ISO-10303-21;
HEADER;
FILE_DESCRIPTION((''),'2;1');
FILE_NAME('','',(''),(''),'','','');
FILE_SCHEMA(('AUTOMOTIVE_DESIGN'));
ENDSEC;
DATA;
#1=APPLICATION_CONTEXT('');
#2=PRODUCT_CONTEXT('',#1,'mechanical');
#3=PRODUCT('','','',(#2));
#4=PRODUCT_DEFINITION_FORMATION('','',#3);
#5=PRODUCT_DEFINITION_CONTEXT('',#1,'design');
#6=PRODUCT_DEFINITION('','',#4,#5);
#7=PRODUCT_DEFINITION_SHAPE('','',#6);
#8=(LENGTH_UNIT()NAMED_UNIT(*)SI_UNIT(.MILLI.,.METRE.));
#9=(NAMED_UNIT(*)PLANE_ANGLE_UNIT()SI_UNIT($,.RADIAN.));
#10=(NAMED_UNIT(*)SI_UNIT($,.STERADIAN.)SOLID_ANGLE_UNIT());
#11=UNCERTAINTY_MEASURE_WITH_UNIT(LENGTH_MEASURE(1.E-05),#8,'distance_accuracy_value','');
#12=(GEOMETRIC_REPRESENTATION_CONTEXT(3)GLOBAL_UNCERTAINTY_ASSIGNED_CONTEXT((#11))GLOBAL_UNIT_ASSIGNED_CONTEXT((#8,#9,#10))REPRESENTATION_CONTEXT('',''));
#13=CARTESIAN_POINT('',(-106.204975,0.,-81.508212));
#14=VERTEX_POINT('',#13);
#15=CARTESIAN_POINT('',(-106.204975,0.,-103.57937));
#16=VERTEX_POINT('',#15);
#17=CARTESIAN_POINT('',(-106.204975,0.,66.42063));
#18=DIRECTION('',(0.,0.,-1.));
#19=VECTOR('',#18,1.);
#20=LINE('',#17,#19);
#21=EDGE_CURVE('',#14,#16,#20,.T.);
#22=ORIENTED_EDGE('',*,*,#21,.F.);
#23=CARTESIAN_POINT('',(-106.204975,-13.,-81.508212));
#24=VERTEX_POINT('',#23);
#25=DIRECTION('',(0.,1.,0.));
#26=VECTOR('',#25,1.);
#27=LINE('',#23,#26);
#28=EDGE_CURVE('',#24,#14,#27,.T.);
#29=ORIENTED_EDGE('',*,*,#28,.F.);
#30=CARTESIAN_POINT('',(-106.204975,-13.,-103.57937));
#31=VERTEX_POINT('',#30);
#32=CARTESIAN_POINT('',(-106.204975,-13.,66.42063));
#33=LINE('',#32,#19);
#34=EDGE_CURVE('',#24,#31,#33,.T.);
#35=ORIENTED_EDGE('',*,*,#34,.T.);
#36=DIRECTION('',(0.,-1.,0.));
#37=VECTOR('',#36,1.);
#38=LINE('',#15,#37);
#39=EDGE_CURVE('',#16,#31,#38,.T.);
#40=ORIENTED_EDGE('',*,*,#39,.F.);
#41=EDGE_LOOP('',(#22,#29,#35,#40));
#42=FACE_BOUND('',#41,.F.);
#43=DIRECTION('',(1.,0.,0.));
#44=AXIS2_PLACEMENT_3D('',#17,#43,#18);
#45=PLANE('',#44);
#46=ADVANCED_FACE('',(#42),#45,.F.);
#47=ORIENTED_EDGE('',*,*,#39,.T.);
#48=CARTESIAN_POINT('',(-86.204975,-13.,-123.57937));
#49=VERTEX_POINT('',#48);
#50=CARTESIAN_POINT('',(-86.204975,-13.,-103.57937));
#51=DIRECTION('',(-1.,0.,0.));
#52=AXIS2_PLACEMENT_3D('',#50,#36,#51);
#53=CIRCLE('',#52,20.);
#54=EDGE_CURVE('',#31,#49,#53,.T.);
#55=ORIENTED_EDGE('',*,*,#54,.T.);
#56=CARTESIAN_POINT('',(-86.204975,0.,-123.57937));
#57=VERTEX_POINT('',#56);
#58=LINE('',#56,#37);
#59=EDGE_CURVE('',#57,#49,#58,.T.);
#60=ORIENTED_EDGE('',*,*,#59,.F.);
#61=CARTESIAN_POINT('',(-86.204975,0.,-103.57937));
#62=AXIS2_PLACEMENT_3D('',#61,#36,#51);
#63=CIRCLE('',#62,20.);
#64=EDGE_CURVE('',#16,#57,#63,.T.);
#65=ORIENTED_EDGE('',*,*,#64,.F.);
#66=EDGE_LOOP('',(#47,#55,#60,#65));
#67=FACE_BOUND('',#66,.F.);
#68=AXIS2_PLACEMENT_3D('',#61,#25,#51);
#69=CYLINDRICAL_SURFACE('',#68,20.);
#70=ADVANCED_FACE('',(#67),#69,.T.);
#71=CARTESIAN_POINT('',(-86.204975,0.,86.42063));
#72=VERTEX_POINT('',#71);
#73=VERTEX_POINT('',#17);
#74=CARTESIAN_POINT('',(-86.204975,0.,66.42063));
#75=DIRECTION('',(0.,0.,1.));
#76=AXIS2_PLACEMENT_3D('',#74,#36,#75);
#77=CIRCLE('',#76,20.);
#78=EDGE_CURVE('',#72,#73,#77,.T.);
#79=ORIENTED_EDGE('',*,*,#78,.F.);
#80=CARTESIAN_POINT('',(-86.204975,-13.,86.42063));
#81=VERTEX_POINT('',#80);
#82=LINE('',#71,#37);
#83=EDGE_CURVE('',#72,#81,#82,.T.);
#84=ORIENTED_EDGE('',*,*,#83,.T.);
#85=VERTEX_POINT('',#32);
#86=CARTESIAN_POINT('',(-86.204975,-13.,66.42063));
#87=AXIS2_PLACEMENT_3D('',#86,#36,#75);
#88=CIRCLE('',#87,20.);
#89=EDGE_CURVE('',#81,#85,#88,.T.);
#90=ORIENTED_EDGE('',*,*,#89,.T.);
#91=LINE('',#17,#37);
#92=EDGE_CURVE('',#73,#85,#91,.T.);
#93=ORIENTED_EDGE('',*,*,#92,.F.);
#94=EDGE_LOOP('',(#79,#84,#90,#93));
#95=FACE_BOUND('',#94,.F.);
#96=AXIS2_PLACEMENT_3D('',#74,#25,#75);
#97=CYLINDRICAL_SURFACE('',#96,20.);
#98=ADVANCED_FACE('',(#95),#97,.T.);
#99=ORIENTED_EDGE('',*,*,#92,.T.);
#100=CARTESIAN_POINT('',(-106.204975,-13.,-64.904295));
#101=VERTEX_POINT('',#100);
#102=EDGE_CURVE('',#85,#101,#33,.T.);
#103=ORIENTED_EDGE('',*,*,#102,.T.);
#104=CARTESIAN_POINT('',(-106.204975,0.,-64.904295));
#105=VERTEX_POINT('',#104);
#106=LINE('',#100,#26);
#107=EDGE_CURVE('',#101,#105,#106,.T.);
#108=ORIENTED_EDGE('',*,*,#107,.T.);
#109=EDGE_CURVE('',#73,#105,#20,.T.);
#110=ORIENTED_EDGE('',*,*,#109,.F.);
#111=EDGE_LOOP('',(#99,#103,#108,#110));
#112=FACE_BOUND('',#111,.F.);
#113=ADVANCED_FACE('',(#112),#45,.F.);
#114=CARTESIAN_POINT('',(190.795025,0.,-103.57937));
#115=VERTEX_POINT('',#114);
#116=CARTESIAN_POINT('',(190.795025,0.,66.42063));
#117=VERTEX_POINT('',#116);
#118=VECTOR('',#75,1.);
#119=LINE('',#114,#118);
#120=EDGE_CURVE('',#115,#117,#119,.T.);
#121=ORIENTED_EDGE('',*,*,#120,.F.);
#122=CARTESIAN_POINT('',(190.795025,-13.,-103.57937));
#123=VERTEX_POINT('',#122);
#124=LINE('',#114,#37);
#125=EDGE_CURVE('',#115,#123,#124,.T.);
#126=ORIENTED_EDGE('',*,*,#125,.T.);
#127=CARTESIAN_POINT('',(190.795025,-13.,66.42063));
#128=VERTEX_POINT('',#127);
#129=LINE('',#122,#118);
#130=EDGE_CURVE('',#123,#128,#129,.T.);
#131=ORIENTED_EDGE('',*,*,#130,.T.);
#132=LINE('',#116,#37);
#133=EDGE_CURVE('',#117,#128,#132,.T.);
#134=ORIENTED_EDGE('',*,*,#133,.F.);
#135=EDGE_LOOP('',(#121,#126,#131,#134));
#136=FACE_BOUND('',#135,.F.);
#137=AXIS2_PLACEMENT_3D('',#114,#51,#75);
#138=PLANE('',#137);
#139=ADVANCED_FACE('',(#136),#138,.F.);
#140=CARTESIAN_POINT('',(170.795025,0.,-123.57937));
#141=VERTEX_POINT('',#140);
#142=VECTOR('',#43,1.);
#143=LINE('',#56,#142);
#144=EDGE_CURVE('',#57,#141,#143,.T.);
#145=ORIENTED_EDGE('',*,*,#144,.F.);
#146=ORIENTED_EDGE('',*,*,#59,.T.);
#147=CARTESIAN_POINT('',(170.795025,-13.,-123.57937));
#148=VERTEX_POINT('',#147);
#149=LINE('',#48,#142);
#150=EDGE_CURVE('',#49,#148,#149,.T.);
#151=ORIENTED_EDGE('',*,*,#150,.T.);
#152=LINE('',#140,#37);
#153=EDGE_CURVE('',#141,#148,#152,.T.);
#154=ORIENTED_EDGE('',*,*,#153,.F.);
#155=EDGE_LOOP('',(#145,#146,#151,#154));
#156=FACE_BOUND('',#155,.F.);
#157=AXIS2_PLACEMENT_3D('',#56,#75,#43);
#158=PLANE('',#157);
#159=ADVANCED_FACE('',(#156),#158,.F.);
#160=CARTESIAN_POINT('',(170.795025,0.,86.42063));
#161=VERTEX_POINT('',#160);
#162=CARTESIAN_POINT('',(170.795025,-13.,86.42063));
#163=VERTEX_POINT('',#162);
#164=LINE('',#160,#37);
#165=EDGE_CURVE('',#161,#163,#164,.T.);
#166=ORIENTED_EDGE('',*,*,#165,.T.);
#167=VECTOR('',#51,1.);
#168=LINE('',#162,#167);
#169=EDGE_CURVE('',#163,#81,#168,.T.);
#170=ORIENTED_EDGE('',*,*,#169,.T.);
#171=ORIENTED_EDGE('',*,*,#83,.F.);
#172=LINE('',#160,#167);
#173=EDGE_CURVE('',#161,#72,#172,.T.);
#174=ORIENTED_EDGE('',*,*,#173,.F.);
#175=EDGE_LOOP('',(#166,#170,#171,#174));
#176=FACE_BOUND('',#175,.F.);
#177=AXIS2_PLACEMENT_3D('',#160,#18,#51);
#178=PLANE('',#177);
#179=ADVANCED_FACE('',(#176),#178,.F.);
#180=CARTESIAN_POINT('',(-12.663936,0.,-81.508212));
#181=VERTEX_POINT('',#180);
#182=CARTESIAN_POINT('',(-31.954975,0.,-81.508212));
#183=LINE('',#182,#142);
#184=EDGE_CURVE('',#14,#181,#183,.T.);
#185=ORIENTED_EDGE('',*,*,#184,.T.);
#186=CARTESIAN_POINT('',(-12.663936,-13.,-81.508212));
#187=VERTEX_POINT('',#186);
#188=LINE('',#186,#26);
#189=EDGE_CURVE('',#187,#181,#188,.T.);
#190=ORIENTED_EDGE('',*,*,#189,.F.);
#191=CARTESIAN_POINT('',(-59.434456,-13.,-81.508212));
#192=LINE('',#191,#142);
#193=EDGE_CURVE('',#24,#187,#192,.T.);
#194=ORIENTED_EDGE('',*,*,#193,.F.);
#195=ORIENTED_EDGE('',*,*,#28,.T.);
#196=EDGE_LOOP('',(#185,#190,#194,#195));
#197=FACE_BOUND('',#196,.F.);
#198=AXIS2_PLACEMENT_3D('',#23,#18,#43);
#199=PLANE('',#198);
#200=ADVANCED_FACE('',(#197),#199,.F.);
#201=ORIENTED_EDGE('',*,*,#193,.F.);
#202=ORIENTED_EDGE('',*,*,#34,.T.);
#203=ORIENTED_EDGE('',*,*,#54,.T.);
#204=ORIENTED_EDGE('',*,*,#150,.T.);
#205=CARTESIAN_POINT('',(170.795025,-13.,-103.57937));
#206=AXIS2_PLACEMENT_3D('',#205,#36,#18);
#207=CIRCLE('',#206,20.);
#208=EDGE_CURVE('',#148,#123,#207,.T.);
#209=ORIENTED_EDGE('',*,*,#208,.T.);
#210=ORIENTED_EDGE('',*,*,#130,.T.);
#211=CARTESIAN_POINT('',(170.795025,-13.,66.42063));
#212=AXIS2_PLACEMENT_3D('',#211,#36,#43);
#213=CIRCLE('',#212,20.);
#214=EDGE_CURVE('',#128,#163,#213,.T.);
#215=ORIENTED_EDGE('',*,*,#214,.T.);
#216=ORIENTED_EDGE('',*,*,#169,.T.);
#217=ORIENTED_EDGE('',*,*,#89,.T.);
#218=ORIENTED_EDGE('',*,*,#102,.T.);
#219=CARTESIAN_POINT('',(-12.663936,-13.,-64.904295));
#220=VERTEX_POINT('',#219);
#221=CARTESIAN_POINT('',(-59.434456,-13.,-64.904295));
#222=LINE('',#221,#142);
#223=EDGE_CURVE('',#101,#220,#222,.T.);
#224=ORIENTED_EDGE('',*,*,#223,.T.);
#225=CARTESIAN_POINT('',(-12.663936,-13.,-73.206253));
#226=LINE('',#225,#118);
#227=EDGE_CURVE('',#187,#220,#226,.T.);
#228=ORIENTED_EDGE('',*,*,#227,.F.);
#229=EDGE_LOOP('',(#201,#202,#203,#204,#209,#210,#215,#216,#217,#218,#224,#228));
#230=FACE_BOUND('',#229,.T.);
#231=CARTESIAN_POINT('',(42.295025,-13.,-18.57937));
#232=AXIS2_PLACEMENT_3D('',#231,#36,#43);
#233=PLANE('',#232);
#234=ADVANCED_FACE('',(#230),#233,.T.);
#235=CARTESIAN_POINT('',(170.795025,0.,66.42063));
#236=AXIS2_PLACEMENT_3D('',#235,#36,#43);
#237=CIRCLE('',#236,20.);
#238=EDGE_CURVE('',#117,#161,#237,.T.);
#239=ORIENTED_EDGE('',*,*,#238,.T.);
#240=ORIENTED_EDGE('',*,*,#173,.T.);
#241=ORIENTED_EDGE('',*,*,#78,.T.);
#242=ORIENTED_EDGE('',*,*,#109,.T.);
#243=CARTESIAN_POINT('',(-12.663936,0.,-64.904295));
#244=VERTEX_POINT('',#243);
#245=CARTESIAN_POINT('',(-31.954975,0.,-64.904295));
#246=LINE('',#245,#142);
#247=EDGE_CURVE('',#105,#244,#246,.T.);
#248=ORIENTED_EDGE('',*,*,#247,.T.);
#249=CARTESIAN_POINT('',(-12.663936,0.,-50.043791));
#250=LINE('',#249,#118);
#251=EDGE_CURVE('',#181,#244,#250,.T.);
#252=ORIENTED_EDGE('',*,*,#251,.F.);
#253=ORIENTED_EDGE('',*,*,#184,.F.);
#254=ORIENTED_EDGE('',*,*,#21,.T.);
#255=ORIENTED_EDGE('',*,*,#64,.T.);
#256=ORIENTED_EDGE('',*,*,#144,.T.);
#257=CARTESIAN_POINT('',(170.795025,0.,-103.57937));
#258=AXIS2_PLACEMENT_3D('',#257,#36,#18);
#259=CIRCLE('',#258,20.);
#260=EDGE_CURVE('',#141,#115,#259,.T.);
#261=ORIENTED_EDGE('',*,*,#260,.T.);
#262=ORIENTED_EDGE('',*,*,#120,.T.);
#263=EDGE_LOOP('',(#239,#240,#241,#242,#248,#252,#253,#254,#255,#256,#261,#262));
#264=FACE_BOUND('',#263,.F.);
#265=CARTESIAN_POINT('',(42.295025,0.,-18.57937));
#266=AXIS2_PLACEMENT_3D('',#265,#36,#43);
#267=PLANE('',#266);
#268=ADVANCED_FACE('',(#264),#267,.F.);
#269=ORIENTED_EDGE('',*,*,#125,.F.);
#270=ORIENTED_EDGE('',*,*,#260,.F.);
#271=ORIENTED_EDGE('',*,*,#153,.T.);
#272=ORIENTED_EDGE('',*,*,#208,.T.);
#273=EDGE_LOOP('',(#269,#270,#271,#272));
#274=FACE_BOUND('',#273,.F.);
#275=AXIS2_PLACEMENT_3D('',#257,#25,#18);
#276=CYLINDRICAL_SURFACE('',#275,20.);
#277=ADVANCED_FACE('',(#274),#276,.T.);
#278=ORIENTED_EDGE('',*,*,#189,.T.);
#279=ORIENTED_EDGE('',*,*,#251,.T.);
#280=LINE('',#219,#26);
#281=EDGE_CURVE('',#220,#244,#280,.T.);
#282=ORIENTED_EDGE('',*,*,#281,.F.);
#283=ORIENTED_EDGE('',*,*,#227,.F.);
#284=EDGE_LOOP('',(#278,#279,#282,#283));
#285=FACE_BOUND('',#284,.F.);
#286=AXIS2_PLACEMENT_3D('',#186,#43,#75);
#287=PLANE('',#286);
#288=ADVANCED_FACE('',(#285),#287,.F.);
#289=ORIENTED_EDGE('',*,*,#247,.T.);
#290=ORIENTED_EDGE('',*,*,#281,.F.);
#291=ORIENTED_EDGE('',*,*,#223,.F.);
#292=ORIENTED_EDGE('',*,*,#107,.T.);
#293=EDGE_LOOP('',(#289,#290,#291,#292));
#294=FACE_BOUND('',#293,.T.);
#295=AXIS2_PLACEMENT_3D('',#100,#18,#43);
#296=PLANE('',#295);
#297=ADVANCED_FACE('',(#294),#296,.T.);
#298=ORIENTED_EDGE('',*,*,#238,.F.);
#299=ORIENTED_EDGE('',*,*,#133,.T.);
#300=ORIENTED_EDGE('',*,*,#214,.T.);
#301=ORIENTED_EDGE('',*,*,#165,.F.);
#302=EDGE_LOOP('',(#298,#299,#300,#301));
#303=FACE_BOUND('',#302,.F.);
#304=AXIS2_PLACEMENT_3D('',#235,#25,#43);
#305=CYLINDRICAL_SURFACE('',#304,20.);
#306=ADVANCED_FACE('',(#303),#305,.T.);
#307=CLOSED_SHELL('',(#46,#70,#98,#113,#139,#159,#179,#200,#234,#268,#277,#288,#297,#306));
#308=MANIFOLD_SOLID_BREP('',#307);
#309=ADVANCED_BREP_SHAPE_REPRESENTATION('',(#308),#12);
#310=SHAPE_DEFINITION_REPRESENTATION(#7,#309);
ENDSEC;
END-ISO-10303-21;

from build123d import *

# Parameters (mm, degrees)
F1_DEPTH = 13
F2_W     = 93.5410387069
F2_H     = 16.6039168835
F3_DEPTH = 25


with BuildPart() as f1:
    # F0 (on Front) → F1 (new body)
    with BuildSketch(Plane.XZ):
        with BuildLine():
            Line((170.7950250506, 86.4206299046), (-86.2049749494, 86.4206299046))
            ThreePointArc((-86.2049749494, 86.4206299046), (-100.3471105731, 80.5627655283), (-106.2049749494, 66.4206299046))
            Line((-106.2049749494, 66.4206299046), (-106.2049749494, -103.5793700954))
            ThreePointArc((-106.2049749494, -103.5793700954), (-100.3471105731, -117.7215057191), (-86.2049749494, -123.5793700954))
            Line((-86.2049749494, -123.5793700954), (170.7950250506, -123.5793700954))
            ThreePointArc((170.7950250506, -123.5793700954), (184.9371606744, -117.7215057191), (190.7950250506, -103.5793700954))
            Line((190.7950250506, -103.5793700954), (190.7950250506, 66.4206299046))
            ThreePointArc((190.7950250506, 66.4206299046), (184.9371606744, 80.5627655283), (170.7950250506, 86.4206299046))
        make_face()
    extrude(amount=F1_DEPTH)

    # F2 (on face) → F3 (cut)
    with BuildSketch(Plane.XZ.offset(13)):
        with Locations((-59.4344555959, -73.2062533498)):
            Rectangle(F2_W, F2_H)
    extrude(amount=-F3_DEPTH, mode=Mode.SUBTRACT)


solid = f1.part
